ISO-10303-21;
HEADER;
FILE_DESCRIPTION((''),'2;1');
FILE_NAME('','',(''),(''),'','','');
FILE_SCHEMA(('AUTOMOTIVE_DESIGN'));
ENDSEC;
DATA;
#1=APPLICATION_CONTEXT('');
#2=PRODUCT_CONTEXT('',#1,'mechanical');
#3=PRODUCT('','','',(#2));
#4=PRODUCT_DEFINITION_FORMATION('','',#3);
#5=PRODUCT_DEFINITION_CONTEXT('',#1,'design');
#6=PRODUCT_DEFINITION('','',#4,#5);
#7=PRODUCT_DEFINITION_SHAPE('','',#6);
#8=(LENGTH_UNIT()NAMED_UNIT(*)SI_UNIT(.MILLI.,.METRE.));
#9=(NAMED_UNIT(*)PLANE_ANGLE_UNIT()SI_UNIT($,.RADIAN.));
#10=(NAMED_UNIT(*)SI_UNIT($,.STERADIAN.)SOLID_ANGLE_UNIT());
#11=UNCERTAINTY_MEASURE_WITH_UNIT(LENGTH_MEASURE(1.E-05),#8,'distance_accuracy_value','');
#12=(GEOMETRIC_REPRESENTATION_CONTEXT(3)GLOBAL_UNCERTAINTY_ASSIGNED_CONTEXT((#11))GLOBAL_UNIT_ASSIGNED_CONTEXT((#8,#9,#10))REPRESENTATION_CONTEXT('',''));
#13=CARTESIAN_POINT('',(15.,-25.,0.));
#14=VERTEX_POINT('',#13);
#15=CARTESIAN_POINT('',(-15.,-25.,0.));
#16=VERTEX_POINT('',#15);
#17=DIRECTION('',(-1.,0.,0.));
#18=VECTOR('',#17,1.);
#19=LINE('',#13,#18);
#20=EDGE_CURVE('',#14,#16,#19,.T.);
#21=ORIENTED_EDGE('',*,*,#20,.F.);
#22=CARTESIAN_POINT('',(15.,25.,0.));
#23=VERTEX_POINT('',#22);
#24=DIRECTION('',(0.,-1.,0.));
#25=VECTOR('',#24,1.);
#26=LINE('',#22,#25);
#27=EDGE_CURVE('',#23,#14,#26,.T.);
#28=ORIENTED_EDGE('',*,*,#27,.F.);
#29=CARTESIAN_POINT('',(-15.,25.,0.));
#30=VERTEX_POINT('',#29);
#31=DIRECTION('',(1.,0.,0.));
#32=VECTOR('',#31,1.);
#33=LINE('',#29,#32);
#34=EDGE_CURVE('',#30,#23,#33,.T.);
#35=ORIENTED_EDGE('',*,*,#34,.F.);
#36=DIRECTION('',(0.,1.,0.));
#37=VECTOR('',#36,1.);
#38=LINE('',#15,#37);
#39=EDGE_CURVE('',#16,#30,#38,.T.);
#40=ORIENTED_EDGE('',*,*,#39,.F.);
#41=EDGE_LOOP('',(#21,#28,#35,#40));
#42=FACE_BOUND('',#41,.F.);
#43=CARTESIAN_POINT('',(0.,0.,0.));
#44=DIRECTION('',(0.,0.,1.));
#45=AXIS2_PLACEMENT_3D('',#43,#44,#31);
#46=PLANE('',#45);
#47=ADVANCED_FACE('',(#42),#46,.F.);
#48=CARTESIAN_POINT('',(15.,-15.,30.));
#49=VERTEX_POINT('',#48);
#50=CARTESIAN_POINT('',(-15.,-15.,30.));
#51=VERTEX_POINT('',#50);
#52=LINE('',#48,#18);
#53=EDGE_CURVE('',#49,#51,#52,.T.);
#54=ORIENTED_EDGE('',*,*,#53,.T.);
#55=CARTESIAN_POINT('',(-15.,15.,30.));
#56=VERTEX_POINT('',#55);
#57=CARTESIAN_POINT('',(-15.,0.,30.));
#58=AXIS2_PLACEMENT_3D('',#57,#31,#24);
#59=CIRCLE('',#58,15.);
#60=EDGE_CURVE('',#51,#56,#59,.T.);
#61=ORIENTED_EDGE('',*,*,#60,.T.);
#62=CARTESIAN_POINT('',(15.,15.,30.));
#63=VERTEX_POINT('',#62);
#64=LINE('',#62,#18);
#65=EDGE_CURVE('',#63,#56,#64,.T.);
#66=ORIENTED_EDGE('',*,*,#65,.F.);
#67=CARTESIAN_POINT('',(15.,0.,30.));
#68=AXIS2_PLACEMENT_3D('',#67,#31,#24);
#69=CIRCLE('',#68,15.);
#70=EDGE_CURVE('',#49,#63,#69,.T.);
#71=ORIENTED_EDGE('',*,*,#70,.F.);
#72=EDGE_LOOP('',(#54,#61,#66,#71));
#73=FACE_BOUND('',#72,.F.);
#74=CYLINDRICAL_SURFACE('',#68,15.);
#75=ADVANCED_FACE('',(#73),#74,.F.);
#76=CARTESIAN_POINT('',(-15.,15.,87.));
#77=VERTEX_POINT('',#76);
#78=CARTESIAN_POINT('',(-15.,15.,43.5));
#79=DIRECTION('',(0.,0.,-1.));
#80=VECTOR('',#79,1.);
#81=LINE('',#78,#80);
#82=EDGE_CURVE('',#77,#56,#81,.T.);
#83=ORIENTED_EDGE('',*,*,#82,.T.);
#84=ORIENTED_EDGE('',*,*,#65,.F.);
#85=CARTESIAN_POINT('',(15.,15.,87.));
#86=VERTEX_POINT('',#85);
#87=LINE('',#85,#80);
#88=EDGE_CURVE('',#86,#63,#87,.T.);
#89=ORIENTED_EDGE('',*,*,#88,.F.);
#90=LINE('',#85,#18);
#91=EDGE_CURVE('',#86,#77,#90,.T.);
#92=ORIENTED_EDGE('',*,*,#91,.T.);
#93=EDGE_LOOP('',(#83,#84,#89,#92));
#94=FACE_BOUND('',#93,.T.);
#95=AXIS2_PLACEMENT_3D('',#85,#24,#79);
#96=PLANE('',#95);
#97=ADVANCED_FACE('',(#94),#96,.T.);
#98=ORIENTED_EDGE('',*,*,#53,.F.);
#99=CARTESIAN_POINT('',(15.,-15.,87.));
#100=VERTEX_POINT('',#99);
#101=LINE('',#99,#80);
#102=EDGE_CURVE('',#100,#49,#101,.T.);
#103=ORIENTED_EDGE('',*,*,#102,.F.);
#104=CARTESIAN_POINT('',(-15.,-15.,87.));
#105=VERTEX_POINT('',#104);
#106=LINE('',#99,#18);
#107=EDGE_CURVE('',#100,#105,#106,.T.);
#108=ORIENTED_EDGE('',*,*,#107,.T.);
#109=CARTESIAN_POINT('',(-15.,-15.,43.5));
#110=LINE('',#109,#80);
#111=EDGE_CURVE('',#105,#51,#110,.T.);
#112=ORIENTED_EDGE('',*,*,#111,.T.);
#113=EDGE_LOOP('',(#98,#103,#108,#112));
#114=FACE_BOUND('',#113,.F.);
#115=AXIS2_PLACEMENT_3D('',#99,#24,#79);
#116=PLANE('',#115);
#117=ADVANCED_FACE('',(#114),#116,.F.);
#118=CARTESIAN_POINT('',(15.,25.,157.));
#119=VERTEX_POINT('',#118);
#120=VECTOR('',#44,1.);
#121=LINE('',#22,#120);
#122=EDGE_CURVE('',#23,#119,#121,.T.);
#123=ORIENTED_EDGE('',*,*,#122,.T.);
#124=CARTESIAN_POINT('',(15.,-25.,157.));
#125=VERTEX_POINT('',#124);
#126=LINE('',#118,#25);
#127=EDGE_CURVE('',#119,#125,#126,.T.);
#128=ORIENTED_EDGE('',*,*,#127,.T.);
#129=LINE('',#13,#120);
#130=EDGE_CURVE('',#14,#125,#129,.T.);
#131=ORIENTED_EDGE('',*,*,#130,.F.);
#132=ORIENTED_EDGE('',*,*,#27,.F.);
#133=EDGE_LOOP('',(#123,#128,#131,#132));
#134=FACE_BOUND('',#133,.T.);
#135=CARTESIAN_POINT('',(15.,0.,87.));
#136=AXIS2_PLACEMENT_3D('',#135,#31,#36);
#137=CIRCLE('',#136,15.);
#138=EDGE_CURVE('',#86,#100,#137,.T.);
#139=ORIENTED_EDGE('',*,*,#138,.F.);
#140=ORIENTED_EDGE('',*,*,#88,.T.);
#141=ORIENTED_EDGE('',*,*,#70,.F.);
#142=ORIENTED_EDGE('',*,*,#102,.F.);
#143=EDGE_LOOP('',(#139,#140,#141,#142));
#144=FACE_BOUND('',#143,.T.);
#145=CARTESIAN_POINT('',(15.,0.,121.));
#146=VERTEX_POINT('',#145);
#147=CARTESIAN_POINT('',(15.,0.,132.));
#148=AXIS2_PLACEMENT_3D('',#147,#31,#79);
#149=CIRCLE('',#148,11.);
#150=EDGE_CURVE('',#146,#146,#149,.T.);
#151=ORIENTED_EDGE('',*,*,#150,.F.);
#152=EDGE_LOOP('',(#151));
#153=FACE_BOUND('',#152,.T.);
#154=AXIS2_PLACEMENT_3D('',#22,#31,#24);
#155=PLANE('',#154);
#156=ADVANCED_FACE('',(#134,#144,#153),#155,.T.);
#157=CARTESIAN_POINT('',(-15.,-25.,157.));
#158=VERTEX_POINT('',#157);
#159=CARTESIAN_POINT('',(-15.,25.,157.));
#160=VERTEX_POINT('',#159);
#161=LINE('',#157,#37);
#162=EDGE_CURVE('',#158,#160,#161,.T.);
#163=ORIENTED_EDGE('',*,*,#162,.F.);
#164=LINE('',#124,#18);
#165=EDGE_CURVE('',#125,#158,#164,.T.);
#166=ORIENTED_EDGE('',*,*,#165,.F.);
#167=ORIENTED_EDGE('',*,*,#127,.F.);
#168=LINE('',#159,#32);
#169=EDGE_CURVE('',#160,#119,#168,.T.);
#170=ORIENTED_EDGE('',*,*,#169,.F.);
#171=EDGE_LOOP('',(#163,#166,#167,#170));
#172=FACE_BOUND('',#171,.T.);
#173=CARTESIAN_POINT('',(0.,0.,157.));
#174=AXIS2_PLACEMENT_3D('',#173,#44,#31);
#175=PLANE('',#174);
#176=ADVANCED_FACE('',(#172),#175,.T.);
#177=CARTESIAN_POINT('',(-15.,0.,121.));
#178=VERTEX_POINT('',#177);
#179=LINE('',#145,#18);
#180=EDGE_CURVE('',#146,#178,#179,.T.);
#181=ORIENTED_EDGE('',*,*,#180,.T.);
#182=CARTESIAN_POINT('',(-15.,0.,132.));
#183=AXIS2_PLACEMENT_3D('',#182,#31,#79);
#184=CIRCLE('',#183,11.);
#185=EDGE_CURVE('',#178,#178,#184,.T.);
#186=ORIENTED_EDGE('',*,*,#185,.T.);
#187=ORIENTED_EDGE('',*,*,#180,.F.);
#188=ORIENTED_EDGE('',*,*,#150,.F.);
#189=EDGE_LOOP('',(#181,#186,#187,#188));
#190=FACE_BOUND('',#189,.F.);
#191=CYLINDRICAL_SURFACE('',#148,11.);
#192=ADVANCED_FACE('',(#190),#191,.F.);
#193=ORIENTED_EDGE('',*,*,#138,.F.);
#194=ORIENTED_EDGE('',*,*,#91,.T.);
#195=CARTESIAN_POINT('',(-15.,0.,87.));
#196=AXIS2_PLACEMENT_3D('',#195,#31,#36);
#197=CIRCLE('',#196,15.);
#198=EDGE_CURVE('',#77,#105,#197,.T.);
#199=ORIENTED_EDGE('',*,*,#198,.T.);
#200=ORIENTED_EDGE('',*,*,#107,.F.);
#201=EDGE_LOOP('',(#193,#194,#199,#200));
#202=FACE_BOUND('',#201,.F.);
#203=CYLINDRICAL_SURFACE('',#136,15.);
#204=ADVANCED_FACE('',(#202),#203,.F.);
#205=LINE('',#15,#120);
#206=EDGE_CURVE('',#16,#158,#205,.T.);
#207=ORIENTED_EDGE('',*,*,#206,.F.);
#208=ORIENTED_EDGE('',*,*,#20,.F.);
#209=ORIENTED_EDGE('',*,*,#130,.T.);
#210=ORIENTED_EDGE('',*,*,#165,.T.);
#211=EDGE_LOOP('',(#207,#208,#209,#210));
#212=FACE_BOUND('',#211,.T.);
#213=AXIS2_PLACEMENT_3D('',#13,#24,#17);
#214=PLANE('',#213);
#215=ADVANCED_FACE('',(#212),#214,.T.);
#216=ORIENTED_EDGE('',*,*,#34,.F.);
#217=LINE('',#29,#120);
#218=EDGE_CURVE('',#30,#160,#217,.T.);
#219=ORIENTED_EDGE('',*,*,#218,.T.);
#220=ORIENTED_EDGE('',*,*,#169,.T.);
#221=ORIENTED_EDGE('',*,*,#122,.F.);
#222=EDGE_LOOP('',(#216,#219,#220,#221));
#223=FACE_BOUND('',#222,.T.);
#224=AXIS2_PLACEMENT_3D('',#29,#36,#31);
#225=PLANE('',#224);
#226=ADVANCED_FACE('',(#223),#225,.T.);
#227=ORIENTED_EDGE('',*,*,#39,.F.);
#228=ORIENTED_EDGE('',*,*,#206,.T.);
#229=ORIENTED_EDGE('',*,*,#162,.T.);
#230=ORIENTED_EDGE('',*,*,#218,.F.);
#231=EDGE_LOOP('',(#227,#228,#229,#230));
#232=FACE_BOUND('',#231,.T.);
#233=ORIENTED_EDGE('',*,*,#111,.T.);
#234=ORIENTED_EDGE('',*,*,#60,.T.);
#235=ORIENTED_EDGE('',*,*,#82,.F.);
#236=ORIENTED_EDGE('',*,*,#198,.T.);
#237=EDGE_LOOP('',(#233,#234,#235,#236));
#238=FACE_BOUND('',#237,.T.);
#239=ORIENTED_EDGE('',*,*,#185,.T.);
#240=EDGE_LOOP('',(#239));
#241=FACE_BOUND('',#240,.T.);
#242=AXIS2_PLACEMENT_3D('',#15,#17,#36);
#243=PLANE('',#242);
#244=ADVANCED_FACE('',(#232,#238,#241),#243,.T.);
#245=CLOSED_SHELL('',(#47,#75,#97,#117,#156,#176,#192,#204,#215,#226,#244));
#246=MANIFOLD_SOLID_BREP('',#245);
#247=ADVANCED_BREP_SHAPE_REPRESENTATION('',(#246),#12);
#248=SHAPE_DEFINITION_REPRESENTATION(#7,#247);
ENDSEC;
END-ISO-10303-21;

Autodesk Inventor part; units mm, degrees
ref_plane "YZ Plane" through (0, 0, 0) normal (1, 0, 0) x (0, 1, 0)
ref_plane "Startebene" through (0, 0, 0) normal (0, 0, 1) x (1, 0, 0)
ref_plane "Endebene" through (0, 0, 157) normal (0, 0, 1) x (1, 0, 0)
sketch "Skizze" plane through (0, 0, 0) normal (0, 0, 1) x (1, 0, 0)
  line L0 (15, -25) -> (-15, -25)
  line L1 (-15, -25) -> (-15, 25)
  line L2 (-15, 25) -> (15, 25)
  line L3 (15, 25) -> (15, -25)
  line L4 (-6, 0) -> (8, 0) construction
  line L5 (0, -30) -> (0, 40) construction
  line L6 (0, 54) -> (0, -44) construction
  line L7 (-9.2, 0) -> (13.2, 0) construction
  dimension "d0" = 50
  dimension "d1" = 30
  dimension "d4" = 15
  dimension "d5" = 25
extrude "Körper" add sketch "Skizze" along normal up to surface (157 mm away) from surface at 0
sketch "Sketch3" plane through (0, 0, 0) normal (0, 0, 1) x (1, 0, 0)
  line L0 (0, 0) -> (10, 0)
ref_plane "Work Plane3" through (0, 0, 0) normal (0, -1, 0) x (1, 0, 0)
sketch "Sketch4" plane through (0, 0, 0) normal (0, -1, 0) x (1, 0, 0)
  line L0 (-2, 0) -> (12, 0)
  line L1 (-2, 157) -> (12, 157)
  dimension "d9" = 157
sketch "Skizze5" plane through (15, -25, 157) normal (1, 0, 0) x (0, 0, -1)
  line L0 (157, 50) -> (0, 50) projected
  circle A0 centre (25, 25) radius 11
  arc A1 (70, 40) -> (70, 10) centre (70, 25) ccw
  arc A2 (127, 10) -> (127, 40) centre (127, 25) ccw
  line L1 (70, 40) -> (127, 40)
  line L2 (70, 10) -> (127, 10)
  line L3 (0, 50) -> (0, 0) projected
  point P0 (157, 25)
  dimension "d10" = 57
  dimension "d11" = 30
  dimension "d14" = 22
  dimension "d15" = 25
  dimension "d16" = 25
  dimension "d19" = 70
  dimension "d21" = 25
extrude "Extrusion2" cut sketch "Skizze5" against normal up to next
equation "\"d0\" = G_W"
equation "\"d1\" = G_H"
equation "\"d4\" = 0.5 * d1"
equation "\"d5\" = 0.5 * d0"
equation "\"d2\" = G_L"
equation "\"G_W\" = 50"
equation "\"G_H\" = 30"
equation "\"G_L\" = d9"
equation "\"G_OFFSET_START\" = 0"
equation "\"G_OFFSET_END\" = 0"
equation "\"d7\" = G_OFFSET_END + B_L"
equation "\"B_L\" = 157"
properties part number "EN 10058 - 50 x 30 - 157" material "Stahl, weich"
